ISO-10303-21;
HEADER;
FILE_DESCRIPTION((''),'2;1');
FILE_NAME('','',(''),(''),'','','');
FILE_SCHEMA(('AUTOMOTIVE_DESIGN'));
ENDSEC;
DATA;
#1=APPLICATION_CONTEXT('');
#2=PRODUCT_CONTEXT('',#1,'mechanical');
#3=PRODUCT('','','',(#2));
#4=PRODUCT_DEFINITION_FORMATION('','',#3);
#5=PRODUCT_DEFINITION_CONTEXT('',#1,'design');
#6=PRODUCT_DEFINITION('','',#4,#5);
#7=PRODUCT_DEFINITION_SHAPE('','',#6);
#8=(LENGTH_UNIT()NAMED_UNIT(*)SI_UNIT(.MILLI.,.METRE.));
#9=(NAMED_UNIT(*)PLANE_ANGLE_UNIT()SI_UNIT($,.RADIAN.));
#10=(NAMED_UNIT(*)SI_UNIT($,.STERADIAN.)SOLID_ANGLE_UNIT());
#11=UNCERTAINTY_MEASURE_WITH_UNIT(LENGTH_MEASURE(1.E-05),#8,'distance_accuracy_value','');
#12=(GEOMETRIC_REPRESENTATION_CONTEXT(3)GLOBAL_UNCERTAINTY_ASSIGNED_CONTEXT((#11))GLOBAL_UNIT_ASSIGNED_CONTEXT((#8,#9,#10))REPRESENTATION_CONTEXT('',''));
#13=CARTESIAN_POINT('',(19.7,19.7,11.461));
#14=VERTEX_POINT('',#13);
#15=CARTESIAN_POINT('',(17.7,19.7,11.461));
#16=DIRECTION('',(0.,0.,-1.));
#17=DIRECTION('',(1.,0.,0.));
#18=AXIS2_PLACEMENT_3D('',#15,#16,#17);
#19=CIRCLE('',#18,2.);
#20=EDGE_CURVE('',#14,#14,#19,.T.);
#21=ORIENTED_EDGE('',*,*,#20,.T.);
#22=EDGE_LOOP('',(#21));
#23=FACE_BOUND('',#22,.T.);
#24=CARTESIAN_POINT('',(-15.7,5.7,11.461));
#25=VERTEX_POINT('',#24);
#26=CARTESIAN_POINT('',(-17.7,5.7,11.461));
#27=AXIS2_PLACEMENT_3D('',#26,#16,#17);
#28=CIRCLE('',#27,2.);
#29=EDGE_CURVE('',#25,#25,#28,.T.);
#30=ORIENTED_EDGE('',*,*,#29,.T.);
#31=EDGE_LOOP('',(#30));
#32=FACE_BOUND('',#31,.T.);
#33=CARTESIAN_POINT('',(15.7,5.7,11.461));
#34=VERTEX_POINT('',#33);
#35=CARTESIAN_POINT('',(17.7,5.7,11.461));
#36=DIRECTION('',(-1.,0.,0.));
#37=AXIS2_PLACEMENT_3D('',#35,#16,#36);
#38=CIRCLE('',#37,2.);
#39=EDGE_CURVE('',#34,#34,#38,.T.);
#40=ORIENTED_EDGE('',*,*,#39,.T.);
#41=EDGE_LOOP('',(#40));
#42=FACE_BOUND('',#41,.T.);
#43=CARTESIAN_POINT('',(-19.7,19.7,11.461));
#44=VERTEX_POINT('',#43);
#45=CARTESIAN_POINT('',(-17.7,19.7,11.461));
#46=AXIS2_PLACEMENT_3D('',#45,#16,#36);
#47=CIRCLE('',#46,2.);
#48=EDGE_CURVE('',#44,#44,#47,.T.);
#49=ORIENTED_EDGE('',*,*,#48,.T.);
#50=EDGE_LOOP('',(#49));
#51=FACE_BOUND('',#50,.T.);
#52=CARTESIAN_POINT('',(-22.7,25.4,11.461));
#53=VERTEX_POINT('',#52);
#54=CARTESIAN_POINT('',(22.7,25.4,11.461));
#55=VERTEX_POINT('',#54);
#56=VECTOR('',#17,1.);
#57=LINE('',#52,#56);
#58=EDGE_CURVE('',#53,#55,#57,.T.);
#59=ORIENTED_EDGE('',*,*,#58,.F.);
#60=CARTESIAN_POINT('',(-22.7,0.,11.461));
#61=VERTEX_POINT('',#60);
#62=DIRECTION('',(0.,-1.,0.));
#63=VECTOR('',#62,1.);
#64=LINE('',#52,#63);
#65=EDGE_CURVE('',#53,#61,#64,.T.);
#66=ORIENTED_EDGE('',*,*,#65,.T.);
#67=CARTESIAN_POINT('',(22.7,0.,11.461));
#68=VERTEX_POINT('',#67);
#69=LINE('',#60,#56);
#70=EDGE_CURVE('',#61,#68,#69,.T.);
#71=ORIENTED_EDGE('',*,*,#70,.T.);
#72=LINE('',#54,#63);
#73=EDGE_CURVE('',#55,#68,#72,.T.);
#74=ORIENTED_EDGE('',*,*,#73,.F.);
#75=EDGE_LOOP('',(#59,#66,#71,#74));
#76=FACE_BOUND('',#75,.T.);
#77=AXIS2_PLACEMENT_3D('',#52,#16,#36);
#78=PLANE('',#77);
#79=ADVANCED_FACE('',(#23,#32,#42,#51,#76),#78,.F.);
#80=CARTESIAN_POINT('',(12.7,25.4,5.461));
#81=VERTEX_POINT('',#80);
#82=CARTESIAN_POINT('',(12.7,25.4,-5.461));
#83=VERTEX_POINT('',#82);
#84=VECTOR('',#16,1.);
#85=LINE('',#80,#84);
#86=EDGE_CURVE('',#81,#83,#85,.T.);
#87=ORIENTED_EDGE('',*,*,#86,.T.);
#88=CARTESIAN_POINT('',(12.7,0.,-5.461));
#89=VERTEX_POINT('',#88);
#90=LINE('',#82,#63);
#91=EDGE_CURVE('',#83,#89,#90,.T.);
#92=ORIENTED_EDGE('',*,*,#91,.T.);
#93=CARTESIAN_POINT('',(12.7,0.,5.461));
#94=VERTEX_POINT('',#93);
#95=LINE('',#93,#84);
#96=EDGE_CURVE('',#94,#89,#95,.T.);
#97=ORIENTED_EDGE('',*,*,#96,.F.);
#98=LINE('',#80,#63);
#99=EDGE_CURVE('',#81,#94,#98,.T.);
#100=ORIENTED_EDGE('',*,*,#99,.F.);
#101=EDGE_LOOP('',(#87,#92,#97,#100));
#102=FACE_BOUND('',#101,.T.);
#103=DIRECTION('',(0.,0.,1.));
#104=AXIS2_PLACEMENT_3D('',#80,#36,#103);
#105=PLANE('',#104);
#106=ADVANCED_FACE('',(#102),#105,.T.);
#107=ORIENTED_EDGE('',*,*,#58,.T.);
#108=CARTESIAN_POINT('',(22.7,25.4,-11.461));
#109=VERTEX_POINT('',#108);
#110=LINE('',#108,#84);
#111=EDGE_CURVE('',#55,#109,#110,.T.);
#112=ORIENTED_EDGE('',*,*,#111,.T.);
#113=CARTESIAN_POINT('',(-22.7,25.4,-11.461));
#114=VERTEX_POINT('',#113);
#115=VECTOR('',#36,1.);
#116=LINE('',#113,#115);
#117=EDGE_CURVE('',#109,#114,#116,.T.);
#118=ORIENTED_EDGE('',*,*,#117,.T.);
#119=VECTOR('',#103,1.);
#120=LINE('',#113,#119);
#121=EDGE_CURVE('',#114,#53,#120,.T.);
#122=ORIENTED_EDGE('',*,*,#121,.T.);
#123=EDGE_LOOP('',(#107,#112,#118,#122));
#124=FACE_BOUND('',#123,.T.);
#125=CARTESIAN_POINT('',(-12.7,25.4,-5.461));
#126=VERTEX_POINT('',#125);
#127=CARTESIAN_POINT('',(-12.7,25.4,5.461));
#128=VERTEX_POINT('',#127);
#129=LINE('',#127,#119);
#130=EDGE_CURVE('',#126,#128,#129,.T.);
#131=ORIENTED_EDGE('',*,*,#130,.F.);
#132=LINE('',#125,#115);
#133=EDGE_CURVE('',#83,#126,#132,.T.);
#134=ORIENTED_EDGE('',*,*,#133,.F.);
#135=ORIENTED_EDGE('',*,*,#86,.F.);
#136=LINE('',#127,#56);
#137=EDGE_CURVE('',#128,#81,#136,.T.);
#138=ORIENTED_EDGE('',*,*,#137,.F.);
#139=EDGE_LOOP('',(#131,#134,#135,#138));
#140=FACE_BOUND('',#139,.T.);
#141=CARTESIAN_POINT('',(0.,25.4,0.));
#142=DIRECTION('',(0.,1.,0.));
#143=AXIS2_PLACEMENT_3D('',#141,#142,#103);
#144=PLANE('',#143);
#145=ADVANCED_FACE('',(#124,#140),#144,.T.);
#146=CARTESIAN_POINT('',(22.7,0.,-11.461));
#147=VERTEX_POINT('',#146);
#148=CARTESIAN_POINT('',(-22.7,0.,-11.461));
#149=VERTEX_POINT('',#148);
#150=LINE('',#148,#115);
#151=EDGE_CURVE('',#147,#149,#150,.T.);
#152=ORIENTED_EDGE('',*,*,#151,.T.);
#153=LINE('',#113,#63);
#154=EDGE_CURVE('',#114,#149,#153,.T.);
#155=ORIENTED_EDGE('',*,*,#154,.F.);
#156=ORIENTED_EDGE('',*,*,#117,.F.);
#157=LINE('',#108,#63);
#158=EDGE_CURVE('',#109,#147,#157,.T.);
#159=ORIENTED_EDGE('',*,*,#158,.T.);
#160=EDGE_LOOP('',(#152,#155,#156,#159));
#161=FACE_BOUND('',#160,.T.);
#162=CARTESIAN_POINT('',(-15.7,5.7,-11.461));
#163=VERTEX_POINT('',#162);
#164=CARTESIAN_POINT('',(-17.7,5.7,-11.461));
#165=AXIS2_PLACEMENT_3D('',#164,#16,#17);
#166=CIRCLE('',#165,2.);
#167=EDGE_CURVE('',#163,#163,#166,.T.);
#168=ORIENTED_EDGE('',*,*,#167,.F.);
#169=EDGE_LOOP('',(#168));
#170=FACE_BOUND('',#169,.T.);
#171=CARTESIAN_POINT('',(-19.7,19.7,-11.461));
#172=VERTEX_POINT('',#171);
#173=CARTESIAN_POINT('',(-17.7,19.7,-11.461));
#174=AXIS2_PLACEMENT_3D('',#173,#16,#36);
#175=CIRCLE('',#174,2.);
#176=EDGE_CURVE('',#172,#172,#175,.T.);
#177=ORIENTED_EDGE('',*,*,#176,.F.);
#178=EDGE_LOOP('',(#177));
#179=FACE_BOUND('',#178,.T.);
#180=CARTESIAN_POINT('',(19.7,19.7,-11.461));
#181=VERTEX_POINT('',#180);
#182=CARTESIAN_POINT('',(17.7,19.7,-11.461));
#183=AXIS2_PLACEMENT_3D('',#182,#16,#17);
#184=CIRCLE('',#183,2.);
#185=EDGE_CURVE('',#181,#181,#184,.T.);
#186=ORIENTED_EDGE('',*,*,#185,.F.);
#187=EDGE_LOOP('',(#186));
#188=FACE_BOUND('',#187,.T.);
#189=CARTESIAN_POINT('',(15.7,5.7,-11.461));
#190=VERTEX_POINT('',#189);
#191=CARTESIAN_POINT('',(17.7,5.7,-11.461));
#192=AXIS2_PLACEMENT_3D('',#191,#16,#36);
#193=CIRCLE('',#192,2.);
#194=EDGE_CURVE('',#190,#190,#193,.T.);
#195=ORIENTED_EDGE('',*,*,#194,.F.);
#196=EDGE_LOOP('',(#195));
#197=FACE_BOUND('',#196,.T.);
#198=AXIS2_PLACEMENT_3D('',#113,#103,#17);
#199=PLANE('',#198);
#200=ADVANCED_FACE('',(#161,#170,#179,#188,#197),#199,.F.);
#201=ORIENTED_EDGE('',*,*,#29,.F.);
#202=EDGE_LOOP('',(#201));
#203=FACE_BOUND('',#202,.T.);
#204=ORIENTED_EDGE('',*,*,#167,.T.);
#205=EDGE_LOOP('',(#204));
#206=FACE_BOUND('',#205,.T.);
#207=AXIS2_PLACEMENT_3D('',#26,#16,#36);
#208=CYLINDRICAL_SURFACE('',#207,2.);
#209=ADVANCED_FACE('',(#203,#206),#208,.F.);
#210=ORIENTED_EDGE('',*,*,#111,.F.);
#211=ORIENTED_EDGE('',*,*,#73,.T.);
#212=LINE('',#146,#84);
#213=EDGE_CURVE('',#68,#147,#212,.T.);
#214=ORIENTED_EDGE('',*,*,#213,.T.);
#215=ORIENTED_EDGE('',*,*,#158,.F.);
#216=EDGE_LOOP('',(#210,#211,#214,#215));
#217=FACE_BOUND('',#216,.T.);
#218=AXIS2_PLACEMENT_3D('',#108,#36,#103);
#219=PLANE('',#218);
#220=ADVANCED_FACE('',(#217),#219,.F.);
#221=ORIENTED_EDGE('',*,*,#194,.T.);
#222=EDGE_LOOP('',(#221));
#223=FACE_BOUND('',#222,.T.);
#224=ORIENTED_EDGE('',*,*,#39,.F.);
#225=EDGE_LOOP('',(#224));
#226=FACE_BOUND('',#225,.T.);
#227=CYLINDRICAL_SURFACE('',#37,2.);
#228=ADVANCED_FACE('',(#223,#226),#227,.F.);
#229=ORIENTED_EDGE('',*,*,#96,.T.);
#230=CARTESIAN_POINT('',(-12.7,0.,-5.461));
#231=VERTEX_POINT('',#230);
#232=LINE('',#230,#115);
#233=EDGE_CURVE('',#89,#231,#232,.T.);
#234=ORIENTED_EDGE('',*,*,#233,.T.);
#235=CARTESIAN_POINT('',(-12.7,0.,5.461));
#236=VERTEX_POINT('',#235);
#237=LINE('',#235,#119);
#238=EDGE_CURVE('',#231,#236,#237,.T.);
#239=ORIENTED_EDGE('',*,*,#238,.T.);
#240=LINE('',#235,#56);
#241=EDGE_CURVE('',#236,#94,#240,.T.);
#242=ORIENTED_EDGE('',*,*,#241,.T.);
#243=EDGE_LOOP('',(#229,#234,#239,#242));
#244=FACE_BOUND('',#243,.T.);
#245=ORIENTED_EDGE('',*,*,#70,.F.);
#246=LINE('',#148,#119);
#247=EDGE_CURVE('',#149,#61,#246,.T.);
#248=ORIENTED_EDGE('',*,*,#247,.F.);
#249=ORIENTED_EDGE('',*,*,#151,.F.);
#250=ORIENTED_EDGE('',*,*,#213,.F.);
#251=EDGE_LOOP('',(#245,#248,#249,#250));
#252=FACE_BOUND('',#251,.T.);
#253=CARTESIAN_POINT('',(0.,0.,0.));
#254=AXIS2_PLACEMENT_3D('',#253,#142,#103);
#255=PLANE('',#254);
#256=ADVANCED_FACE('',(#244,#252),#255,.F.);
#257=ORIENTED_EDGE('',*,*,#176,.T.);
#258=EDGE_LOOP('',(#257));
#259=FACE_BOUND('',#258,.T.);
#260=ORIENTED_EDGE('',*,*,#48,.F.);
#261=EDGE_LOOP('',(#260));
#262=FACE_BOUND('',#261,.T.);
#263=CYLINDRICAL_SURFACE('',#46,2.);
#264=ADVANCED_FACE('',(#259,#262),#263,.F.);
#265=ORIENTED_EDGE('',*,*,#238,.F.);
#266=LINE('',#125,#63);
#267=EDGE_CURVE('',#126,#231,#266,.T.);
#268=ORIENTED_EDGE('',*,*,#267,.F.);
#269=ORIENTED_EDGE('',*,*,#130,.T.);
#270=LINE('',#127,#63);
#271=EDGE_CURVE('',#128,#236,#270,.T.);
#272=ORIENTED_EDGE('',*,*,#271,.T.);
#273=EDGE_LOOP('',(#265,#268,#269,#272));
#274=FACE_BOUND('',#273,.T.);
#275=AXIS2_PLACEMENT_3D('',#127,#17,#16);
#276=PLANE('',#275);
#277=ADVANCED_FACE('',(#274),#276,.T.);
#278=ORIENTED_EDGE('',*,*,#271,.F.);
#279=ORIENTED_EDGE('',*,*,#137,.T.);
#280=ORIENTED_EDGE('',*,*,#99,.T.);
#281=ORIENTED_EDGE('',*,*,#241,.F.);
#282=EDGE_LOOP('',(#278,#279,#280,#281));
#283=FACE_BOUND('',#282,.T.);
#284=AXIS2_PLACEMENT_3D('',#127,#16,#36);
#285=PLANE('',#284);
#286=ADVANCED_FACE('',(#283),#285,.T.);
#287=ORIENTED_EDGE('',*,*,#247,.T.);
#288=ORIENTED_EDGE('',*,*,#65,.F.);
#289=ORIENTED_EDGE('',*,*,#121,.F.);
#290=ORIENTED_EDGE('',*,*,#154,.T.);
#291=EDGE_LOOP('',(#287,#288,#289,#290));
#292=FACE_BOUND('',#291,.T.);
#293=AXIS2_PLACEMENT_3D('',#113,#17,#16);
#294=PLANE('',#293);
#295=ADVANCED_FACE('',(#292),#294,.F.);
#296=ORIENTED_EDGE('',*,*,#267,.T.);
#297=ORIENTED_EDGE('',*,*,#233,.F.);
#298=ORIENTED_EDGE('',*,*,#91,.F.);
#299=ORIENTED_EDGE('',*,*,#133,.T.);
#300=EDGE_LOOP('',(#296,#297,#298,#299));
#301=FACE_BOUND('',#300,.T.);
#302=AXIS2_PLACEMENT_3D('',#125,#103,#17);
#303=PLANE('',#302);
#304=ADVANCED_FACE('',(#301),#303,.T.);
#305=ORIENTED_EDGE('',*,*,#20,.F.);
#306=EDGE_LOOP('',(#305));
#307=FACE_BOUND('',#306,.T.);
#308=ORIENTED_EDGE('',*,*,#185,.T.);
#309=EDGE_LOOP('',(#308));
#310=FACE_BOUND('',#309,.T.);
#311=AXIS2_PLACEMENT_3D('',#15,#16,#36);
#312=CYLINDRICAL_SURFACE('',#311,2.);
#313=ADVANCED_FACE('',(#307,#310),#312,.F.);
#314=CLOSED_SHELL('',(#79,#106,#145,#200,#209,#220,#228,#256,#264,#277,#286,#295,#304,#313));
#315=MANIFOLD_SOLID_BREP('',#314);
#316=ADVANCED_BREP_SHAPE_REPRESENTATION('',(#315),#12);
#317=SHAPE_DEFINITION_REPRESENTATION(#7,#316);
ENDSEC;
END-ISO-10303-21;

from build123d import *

# Parameters (mm, degrees)
SKETCH1_W           = 45.4
SKETCH1_H           = 22.922
SKETCH1_W_2         = 25.4
SKETCH1_H_2         = 10.922
BOSS_EXTRUDE1_DEPTH = 25.4
SKETCH2_R           = 2
CUT_EXTRUDE1_DEPTH  = 23.922


with BuildPart() as part:
    # Sketch1 → Boss-Extrude1 (new body)
    with BuildSketch(Plane(origin=(0, 0, 0), x_dir=(1, 0, 0), z_dir=(0, 1, 0))):
        Rectangle(SKETCH1_W, SKETCH1_H)
        Rectangle(SKETCH1_W_2, SKETCH1_H_2, mode=Mode.SUBTRACT)
    extrude(amount=BOSS_EXTRUDE1_DEPTH)

    # Sketch2 → Cut-Extrude1 (cut, through all)
    with BuildSketch(Plane(origin=(0, 0, -11.461), x_dir=(-1, 0, 0), z_dir=(0, 0, -1))):
        with Locations((-17.7, 5.7)):
            Circle(SKETCH2_R)
        with Locations((-17.7, 19.7)):
            Circle(SKETCH2_R)
        with Locations((17.7, 19.7)):
            Circle(SKETCH2_R)
        with Locations((17.7, 5.7)):
            Circle(SKETCH2_R)
    extrude(amount=-CUT_EXTRUDE1_DEPTH, mode=Mode.SUBTRACT)


solid = part.part
